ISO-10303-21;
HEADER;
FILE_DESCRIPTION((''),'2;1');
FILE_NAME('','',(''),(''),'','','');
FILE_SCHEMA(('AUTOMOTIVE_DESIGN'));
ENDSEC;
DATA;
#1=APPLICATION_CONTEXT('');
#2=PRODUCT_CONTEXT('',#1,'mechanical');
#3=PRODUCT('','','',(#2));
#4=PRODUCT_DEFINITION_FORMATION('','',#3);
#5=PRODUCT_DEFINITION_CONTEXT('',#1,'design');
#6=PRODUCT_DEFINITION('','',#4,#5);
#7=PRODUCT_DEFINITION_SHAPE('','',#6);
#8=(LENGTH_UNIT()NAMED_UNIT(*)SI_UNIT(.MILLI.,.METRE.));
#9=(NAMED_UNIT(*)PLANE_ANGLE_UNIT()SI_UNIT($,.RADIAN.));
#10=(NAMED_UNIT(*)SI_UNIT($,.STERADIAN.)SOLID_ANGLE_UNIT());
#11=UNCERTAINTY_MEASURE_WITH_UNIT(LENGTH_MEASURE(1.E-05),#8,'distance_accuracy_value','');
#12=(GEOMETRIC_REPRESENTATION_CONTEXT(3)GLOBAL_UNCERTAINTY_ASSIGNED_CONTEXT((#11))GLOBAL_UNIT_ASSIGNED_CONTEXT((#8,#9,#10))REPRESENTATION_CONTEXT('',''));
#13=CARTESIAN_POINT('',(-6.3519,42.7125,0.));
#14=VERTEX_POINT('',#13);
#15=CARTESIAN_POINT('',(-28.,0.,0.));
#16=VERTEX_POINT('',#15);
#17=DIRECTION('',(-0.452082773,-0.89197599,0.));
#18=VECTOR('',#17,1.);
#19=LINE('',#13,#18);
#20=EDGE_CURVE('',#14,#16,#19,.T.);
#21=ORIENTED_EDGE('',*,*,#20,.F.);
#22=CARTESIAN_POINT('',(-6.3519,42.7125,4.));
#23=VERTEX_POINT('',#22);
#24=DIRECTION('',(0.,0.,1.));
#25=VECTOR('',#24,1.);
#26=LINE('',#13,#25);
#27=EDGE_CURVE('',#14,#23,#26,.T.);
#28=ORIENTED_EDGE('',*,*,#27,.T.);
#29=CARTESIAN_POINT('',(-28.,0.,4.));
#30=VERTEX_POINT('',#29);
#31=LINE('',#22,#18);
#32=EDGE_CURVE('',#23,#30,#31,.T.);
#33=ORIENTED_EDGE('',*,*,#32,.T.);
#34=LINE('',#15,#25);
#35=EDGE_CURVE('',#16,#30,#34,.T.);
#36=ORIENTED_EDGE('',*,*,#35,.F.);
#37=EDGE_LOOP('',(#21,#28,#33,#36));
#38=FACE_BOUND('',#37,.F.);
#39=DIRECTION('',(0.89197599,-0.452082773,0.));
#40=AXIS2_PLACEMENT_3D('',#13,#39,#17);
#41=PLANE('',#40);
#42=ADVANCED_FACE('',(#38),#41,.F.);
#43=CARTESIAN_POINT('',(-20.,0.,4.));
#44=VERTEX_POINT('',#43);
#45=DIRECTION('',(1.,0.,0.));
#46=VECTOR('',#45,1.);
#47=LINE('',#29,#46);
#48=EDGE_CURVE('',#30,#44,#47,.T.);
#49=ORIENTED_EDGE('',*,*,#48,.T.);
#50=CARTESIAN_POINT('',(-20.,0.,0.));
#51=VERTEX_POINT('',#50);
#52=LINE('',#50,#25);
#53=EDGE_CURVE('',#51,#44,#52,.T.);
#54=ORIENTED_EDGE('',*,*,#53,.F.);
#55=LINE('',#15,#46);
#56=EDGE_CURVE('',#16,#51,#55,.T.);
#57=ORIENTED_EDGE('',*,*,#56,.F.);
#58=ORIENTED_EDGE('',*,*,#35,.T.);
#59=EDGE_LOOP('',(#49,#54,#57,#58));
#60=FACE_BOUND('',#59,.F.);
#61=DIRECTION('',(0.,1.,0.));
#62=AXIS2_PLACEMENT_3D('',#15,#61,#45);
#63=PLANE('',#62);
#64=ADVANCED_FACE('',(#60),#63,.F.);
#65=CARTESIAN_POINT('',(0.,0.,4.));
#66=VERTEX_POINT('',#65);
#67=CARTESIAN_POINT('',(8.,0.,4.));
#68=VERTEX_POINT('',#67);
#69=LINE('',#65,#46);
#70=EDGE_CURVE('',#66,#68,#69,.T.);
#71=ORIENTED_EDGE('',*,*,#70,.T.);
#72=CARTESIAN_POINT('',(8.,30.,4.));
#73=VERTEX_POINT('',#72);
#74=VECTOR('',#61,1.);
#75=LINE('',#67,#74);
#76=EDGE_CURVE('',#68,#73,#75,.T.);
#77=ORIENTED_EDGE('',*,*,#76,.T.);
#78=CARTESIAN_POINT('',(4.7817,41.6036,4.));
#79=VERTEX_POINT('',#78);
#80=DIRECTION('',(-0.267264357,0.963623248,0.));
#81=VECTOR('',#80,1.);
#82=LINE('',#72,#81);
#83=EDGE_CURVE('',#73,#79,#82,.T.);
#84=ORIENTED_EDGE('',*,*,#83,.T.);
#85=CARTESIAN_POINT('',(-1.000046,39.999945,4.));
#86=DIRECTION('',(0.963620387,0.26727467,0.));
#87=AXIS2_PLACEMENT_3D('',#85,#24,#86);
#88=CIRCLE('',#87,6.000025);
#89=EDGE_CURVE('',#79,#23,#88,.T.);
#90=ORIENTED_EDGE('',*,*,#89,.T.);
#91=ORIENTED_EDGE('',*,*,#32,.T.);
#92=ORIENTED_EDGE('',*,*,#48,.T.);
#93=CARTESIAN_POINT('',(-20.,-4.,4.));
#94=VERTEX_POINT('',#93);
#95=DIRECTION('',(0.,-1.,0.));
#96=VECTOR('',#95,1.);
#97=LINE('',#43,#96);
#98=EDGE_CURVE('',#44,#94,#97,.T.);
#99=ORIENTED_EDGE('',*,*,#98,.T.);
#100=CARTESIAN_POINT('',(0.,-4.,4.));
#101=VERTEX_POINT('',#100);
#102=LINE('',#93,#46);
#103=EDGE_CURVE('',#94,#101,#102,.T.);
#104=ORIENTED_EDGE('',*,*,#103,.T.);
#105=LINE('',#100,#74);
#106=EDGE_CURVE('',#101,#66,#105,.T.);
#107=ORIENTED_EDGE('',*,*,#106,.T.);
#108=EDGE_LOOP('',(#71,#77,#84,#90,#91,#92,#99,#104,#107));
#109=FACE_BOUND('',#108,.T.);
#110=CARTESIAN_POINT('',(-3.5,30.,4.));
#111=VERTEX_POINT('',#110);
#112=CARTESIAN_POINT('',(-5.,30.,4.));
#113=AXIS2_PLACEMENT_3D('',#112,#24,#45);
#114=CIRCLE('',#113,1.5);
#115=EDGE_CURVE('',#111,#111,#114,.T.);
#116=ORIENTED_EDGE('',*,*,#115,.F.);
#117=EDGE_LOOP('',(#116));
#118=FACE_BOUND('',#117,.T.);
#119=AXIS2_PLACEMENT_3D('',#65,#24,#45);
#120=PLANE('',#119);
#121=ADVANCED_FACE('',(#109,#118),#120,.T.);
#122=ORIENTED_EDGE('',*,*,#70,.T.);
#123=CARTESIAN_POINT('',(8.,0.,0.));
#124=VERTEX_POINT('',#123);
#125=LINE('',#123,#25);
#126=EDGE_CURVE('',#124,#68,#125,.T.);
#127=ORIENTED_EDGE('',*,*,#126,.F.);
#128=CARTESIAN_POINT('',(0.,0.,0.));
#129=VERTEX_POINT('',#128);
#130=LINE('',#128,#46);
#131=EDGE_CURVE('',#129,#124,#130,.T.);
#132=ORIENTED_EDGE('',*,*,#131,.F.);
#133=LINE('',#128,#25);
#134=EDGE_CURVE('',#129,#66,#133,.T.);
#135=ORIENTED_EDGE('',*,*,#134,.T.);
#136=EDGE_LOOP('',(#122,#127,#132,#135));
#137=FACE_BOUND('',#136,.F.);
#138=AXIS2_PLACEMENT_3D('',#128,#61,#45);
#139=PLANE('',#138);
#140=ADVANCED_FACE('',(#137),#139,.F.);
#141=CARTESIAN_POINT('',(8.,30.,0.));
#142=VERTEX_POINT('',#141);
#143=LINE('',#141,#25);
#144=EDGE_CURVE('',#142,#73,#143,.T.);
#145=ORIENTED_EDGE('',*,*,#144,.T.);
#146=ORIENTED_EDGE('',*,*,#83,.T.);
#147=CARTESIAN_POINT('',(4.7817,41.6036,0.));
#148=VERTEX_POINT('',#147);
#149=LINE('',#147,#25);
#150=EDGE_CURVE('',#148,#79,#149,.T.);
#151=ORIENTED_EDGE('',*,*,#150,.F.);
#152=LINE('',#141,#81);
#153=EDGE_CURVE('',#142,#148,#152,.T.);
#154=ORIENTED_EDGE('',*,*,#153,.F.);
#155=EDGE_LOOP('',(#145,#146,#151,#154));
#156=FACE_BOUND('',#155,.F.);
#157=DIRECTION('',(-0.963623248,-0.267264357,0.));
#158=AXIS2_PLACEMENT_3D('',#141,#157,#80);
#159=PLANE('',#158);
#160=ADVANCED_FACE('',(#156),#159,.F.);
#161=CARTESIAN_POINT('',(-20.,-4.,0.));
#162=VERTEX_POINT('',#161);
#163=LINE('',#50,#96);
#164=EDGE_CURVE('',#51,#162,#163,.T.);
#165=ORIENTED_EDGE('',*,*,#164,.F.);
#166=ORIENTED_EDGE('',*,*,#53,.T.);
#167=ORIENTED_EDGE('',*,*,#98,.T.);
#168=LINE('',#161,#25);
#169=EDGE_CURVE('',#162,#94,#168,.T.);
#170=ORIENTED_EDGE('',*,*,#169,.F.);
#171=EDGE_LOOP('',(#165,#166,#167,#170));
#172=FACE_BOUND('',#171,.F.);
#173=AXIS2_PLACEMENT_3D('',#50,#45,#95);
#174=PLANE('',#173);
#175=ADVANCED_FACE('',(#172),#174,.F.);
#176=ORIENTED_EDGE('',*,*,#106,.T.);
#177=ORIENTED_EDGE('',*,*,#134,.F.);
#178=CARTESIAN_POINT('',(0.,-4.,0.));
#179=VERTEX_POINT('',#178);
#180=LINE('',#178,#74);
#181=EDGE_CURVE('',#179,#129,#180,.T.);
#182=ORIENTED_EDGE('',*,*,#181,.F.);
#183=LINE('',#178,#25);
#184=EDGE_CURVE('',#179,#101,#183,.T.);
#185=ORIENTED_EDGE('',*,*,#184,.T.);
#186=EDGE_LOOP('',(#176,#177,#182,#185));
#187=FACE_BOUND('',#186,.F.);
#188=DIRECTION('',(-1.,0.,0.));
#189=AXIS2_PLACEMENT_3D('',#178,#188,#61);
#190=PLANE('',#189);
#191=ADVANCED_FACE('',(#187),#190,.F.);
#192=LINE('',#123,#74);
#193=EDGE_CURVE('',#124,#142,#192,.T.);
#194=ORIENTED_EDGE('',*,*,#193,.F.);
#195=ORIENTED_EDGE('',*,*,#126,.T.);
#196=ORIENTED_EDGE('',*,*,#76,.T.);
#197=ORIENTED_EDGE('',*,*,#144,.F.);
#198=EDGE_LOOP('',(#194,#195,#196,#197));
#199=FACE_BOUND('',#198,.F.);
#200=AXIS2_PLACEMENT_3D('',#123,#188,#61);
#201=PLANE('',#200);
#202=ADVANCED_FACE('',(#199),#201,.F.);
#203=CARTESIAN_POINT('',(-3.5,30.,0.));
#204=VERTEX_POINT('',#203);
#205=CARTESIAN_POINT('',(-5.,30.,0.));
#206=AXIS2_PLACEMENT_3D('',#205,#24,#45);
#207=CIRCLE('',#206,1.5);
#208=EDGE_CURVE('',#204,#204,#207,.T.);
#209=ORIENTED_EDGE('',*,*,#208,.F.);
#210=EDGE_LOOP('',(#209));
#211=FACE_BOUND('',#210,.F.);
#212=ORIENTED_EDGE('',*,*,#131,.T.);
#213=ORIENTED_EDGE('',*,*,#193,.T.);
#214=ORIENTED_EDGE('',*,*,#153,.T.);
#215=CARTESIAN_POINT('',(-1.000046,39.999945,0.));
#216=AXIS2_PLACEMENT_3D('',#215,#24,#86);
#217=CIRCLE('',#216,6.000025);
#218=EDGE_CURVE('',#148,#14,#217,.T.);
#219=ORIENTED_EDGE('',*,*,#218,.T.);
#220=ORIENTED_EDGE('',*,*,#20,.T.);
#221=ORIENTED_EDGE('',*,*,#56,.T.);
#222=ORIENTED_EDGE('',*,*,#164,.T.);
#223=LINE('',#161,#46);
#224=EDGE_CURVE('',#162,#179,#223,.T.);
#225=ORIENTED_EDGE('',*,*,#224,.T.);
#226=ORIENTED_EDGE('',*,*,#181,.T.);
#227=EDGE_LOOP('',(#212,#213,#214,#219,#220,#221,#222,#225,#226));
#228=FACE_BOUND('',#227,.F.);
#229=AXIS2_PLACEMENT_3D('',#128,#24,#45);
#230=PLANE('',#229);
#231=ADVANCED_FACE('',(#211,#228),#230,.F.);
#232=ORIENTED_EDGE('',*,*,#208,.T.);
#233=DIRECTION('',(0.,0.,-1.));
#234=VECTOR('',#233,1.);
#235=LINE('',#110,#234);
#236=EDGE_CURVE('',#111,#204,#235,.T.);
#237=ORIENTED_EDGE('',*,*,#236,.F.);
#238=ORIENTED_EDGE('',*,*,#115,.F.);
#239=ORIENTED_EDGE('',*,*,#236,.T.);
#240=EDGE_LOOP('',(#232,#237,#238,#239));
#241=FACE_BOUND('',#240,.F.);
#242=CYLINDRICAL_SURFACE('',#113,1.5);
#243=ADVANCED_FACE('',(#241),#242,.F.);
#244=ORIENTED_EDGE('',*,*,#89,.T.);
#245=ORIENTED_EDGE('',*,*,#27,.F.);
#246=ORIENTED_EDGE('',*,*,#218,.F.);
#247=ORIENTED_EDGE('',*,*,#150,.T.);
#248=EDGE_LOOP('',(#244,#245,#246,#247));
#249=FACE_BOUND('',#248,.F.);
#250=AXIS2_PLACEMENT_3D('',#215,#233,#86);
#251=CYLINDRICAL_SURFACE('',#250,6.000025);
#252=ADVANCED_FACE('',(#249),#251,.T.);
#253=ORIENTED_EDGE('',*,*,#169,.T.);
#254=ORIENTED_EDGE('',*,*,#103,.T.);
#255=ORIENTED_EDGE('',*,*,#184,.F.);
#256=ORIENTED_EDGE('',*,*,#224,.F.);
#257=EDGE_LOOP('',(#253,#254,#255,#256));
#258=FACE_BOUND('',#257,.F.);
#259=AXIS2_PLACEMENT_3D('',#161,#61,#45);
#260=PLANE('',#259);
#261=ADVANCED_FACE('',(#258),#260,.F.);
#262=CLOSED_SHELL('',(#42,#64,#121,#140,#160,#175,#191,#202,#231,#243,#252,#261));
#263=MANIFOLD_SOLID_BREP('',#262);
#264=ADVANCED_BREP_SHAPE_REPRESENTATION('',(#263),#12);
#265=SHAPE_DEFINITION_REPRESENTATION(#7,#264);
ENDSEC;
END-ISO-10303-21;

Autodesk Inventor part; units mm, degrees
ref_plane "YZ Plane" through (0, 0, 0) normal (1, 0, 0) x (0, 1, 0)
ref_plane "XZ Plane" through (0, 0, 0) normal (0, 1, 0) x (-1, 0, 0)
ref_plane "XY Plane" through (0, 0, 0) normal (0, 0, 1) x (1, 0, 0)
sketch "Эскиз1" plane through (0, 0, 0) normal (0, 0, 1) x (1, 0, 0)
  line L0 (-20, 0) -> (-20, -4)
  line L1 (-20, -4) -> (0, -4)
  line L2 (0, -4) -> (0, 0)
  line L3 (0, 0) -> (8, 0)
  arc A0 (4.7817, 41.6036) -> (-6.3519, 42.7125) centre (-1, 40) ccw
  line L4 (-6.3519, 42.7125) -> (-28, 0)
  line L5 (-28, 0) -> (-20, 0)
  line L6 (8, 0) -> (8, 30)
  line L7 (8, 30) -> (4.7817, 41.6036)
  dimension "d0" = 6
  dimension "d1" = 40
  dimension "d2" = 20
  dimension "d3" = 4
  dimension "d14" = 1
  dimension "d15" = 30
  dimension "d16" = 36
extrude "Выдавливание1" add sketch "Эскиз1" along normal blind 4
sketch "Эскиз2" plane through (0, 0, 4) normal (0, 0, 1) x (1, 0, 0)
  circle A0 centre (-5, 30) radius 1.5
  line L0 (0, 0) -> (8, 0) projected
  line L1 (8, 0) -> (8, 30) projected
  dimension "d9" = 3
  dimension "d10" = 30
  dimension "d17" = 13
extrude "Выдавливание2" cut sketch "Эскиз2" against normal through all
properties part number "HolderSFC6" material "Дерево (вишня)"
